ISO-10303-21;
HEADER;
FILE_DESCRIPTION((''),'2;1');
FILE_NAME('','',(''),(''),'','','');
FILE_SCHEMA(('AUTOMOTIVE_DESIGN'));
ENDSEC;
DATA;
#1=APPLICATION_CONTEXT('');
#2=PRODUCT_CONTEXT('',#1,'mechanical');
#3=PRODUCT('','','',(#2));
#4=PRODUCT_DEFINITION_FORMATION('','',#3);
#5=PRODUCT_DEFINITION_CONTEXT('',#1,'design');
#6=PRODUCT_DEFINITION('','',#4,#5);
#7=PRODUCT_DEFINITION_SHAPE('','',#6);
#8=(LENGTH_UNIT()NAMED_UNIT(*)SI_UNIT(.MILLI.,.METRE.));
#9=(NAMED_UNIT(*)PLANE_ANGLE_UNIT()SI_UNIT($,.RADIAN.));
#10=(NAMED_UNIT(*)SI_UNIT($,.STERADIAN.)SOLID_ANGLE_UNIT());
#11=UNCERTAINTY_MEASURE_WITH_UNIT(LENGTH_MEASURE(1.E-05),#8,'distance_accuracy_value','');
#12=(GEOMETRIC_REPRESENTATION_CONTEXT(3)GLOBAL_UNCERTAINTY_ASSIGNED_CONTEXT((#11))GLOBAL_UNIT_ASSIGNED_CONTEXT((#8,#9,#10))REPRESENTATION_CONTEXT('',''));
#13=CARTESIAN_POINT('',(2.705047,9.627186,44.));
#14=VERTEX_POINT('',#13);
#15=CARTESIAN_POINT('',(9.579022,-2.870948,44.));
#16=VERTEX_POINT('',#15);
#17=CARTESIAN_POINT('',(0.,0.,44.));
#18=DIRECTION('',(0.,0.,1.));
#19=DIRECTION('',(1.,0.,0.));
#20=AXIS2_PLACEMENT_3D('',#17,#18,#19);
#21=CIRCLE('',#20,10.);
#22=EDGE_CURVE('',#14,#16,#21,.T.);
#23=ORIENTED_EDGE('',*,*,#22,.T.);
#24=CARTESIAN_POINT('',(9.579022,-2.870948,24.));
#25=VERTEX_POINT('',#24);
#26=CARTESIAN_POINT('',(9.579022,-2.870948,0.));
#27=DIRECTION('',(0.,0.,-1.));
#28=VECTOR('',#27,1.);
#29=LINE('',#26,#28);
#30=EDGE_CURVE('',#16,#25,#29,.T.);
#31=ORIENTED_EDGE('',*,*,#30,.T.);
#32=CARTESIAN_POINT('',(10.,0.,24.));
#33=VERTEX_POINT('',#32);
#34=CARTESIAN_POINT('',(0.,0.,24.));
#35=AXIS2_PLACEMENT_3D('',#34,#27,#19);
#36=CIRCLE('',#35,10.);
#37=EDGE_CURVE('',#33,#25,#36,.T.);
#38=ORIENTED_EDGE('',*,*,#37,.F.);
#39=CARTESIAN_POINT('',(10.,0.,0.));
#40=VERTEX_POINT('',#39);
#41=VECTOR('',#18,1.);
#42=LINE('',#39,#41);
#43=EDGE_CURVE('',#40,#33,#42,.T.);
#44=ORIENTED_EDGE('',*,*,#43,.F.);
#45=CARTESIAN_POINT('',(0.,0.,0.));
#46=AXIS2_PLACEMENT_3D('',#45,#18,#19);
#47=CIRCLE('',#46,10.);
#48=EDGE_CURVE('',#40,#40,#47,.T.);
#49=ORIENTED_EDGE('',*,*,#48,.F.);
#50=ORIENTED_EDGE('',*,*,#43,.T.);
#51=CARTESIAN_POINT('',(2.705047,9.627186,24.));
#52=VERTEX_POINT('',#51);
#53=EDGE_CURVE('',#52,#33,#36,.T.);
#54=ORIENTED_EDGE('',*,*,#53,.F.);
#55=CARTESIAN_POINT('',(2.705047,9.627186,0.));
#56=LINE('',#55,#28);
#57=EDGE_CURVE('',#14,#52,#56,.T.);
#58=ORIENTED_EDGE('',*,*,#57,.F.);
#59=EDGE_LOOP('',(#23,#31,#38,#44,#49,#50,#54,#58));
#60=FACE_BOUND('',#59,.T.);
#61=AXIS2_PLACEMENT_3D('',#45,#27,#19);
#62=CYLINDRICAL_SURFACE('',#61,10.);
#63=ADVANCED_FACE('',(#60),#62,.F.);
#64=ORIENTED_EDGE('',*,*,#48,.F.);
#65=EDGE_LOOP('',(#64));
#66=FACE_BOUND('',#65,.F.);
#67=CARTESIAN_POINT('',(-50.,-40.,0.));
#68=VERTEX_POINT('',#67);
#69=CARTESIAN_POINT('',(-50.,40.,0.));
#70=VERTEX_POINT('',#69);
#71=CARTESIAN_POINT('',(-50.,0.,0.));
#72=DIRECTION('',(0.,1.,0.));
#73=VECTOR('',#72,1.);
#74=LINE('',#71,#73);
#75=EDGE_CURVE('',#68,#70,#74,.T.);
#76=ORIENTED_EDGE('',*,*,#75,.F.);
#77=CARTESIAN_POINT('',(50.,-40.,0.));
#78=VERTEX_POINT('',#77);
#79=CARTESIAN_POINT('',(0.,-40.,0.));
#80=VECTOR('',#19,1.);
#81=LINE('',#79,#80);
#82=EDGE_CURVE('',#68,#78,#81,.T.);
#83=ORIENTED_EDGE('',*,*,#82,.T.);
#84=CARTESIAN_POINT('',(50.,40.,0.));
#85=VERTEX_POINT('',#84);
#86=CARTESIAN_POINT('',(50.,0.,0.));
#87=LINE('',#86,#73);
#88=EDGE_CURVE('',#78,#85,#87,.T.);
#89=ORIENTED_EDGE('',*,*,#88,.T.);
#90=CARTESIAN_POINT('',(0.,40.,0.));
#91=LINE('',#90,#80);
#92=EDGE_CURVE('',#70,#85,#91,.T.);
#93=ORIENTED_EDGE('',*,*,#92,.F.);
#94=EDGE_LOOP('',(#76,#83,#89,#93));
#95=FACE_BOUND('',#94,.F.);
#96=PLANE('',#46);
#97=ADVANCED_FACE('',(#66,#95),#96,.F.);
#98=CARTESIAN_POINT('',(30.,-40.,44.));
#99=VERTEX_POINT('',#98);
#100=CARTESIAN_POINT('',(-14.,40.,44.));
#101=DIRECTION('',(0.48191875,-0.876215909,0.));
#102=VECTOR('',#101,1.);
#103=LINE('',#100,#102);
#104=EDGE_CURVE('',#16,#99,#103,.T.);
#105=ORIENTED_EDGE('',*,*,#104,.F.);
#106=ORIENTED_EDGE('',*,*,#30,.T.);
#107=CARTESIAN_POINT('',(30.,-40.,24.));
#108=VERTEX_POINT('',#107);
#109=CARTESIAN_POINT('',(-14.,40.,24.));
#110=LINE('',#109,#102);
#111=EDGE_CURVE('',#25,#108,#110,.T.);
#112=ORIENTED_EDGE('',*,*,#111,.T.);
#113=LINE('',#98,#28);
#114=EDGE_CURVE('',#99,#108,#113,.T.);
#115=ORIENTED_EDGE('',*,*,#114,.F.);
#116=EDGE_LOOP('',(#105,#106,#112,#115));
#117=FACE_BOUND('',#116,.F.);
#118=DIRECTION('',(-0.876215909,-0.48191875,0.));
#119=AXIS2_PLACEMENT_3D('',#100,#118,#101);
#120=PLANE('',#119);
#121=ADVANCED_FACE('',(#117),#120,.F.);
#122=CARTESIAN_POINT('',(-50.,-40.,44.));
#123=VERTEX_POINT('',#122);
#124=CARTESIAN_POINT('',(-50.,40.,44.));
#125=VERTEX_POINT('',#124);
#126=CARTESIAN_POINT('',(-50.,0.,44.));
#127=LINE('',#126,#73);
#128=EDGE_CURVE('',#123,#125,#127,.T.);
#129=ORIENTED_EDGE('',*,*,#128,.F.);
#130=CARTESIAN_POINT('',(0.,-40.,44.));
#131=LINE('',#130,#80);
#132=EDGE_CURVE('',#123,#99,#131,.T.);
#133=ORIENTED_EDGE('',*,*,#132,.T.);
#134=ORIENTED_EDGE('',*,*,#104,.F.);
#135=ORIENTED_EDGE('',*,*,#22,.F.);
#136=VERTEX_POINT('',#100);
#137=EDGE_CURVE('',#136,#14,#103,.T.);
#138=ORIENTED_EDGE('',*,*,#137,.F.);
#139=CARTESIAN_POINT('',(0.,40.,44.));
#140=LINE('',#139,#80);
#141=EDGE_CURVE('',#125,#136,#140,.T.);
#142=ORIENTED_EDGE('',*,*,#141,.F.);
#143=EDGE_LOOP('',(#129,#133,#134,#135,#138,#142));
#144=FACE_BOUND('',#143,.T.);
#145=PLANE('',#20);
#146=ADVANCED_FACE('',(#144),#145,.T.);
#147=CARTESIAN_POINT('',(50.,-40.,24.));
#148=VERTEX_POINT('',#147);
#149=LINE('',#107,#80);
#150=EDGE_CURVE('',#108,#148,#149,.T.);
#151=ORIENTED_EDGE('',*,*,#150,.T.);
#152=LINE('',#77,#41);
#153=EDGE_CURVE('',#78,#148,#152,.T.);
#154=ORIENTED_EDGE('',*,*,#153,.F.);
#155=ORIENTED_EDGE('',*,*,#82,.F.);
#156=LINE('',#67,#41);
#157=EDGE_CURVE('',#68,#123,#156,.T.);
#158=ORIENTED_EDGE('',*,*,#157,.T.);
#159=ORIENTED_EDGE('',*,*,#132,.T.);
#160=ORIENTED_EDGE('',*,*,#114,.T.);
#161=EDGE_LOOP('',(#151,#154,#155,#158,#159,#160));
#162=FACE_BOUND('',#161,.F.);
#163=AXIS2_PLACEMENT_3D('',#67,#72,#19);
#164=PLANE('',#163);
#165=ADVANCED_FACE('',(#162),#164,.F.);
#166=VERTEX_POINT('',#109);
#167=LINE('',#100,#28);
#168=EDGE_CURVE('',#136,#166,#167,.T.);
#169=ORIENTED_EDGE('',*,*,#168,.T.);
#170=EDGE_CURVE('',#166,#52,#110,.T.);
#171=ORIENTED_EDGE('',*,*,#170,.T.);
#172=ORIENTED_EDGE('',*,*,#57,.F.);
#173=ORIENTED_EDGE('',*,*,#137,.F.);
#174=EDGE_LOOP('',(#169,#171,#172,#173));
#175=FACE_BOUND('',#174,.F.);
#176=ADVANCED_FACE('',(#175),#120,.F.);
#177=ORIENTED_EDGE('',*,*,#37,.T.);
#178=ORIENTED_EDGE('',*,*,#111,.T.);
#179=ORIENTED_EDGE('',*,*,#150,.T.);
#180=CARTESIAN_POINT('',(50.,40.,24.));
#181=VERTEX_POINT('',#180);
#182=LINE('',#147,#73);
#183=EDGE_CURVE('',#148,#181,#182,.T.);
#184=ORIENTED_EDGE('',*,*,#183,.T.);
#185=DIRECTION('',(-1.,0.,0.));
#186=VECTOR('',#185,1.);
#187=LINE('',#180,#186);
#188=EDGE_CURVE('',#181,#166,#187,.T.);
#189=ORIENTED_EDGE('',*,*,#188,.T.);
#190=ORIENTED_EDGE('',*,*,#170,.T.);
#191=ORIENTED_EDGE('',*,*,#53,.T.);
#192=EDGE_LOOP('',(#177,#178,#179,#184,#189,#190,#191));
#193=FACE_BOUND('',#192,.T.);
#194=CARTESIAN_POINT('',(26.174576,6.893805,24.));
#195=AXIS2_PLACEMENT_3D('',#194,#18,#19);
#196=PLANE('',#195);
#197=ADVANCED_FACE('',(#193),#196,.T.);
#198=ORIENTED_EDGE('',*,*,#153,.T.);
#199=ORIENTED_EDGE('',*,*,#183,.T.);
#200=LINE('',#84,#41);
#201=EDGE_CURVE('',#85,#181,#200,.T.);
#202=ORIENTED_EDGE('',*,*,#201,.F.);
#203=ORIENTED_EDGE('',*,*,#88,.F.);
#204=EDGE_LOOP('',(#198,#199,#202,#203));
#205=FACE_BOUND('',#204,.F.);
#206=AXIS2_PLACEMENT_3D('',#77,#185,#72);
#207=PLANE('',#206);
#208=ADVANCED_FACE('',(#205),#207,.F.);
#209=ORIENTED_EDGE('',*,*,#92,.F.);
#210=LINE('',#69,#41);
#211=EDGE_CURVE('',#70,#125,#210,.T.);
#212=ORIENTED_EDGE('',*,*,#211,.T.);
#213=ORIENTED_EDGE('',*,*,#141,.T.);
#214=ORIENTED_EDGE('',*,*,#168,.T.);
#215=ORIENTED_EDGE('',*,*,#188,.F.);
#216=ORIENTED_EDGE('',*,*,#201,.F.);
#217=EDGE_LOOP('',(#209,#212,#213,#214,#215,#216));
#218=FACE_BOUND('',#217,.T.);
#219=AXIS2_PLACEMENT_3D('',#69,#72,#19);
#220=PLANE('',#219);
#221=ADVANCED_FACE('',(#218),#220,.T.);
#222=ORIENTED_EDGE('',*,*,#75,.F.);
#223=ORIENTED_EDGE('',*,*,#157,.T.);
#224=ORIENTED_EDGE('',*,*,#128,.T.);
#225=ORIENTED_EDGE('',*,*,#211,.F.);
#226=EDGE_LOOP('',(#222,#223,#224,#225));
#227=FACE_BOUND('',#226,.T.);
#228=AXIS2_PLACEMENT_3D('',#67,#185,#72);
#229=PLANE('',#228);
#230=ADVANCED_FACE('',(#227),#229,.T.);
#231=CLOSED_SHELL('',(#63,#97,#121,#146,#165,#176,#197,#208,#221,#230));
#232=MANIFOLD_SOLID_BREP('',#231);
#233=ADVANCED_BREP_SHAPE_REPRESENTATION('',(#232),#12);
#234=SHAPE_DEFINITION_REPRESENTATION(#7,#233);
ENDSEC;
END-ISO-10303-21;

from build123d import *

# Parameters (mm, degrees)
F0_W     = 100
F0_H     = 80
F0_R     = 10
F1_DEPTH = 44
F3_DEPTH = 20


with BuildPart() as f1:
    # F0 (on Top) → F1 (new body)
    with BuildSketch(Plane.XY):
        Rectangle(F0_W, F0_H)
        Circle(F0_R, mode=Mode.SUBTRACT)
    extrude(amount=F1_DEPTH)

    # F2 (on face) → F3 (cut)
    with BuildSketch(Plane.XY.offset(44)):
        Polygon((50, -40), (50, 40), (-14, 40), (30, -40), align=None)
    extrude(amount=-F3_DEPTH, mode=Mode.SUBTRACT)


solid = f1.part
